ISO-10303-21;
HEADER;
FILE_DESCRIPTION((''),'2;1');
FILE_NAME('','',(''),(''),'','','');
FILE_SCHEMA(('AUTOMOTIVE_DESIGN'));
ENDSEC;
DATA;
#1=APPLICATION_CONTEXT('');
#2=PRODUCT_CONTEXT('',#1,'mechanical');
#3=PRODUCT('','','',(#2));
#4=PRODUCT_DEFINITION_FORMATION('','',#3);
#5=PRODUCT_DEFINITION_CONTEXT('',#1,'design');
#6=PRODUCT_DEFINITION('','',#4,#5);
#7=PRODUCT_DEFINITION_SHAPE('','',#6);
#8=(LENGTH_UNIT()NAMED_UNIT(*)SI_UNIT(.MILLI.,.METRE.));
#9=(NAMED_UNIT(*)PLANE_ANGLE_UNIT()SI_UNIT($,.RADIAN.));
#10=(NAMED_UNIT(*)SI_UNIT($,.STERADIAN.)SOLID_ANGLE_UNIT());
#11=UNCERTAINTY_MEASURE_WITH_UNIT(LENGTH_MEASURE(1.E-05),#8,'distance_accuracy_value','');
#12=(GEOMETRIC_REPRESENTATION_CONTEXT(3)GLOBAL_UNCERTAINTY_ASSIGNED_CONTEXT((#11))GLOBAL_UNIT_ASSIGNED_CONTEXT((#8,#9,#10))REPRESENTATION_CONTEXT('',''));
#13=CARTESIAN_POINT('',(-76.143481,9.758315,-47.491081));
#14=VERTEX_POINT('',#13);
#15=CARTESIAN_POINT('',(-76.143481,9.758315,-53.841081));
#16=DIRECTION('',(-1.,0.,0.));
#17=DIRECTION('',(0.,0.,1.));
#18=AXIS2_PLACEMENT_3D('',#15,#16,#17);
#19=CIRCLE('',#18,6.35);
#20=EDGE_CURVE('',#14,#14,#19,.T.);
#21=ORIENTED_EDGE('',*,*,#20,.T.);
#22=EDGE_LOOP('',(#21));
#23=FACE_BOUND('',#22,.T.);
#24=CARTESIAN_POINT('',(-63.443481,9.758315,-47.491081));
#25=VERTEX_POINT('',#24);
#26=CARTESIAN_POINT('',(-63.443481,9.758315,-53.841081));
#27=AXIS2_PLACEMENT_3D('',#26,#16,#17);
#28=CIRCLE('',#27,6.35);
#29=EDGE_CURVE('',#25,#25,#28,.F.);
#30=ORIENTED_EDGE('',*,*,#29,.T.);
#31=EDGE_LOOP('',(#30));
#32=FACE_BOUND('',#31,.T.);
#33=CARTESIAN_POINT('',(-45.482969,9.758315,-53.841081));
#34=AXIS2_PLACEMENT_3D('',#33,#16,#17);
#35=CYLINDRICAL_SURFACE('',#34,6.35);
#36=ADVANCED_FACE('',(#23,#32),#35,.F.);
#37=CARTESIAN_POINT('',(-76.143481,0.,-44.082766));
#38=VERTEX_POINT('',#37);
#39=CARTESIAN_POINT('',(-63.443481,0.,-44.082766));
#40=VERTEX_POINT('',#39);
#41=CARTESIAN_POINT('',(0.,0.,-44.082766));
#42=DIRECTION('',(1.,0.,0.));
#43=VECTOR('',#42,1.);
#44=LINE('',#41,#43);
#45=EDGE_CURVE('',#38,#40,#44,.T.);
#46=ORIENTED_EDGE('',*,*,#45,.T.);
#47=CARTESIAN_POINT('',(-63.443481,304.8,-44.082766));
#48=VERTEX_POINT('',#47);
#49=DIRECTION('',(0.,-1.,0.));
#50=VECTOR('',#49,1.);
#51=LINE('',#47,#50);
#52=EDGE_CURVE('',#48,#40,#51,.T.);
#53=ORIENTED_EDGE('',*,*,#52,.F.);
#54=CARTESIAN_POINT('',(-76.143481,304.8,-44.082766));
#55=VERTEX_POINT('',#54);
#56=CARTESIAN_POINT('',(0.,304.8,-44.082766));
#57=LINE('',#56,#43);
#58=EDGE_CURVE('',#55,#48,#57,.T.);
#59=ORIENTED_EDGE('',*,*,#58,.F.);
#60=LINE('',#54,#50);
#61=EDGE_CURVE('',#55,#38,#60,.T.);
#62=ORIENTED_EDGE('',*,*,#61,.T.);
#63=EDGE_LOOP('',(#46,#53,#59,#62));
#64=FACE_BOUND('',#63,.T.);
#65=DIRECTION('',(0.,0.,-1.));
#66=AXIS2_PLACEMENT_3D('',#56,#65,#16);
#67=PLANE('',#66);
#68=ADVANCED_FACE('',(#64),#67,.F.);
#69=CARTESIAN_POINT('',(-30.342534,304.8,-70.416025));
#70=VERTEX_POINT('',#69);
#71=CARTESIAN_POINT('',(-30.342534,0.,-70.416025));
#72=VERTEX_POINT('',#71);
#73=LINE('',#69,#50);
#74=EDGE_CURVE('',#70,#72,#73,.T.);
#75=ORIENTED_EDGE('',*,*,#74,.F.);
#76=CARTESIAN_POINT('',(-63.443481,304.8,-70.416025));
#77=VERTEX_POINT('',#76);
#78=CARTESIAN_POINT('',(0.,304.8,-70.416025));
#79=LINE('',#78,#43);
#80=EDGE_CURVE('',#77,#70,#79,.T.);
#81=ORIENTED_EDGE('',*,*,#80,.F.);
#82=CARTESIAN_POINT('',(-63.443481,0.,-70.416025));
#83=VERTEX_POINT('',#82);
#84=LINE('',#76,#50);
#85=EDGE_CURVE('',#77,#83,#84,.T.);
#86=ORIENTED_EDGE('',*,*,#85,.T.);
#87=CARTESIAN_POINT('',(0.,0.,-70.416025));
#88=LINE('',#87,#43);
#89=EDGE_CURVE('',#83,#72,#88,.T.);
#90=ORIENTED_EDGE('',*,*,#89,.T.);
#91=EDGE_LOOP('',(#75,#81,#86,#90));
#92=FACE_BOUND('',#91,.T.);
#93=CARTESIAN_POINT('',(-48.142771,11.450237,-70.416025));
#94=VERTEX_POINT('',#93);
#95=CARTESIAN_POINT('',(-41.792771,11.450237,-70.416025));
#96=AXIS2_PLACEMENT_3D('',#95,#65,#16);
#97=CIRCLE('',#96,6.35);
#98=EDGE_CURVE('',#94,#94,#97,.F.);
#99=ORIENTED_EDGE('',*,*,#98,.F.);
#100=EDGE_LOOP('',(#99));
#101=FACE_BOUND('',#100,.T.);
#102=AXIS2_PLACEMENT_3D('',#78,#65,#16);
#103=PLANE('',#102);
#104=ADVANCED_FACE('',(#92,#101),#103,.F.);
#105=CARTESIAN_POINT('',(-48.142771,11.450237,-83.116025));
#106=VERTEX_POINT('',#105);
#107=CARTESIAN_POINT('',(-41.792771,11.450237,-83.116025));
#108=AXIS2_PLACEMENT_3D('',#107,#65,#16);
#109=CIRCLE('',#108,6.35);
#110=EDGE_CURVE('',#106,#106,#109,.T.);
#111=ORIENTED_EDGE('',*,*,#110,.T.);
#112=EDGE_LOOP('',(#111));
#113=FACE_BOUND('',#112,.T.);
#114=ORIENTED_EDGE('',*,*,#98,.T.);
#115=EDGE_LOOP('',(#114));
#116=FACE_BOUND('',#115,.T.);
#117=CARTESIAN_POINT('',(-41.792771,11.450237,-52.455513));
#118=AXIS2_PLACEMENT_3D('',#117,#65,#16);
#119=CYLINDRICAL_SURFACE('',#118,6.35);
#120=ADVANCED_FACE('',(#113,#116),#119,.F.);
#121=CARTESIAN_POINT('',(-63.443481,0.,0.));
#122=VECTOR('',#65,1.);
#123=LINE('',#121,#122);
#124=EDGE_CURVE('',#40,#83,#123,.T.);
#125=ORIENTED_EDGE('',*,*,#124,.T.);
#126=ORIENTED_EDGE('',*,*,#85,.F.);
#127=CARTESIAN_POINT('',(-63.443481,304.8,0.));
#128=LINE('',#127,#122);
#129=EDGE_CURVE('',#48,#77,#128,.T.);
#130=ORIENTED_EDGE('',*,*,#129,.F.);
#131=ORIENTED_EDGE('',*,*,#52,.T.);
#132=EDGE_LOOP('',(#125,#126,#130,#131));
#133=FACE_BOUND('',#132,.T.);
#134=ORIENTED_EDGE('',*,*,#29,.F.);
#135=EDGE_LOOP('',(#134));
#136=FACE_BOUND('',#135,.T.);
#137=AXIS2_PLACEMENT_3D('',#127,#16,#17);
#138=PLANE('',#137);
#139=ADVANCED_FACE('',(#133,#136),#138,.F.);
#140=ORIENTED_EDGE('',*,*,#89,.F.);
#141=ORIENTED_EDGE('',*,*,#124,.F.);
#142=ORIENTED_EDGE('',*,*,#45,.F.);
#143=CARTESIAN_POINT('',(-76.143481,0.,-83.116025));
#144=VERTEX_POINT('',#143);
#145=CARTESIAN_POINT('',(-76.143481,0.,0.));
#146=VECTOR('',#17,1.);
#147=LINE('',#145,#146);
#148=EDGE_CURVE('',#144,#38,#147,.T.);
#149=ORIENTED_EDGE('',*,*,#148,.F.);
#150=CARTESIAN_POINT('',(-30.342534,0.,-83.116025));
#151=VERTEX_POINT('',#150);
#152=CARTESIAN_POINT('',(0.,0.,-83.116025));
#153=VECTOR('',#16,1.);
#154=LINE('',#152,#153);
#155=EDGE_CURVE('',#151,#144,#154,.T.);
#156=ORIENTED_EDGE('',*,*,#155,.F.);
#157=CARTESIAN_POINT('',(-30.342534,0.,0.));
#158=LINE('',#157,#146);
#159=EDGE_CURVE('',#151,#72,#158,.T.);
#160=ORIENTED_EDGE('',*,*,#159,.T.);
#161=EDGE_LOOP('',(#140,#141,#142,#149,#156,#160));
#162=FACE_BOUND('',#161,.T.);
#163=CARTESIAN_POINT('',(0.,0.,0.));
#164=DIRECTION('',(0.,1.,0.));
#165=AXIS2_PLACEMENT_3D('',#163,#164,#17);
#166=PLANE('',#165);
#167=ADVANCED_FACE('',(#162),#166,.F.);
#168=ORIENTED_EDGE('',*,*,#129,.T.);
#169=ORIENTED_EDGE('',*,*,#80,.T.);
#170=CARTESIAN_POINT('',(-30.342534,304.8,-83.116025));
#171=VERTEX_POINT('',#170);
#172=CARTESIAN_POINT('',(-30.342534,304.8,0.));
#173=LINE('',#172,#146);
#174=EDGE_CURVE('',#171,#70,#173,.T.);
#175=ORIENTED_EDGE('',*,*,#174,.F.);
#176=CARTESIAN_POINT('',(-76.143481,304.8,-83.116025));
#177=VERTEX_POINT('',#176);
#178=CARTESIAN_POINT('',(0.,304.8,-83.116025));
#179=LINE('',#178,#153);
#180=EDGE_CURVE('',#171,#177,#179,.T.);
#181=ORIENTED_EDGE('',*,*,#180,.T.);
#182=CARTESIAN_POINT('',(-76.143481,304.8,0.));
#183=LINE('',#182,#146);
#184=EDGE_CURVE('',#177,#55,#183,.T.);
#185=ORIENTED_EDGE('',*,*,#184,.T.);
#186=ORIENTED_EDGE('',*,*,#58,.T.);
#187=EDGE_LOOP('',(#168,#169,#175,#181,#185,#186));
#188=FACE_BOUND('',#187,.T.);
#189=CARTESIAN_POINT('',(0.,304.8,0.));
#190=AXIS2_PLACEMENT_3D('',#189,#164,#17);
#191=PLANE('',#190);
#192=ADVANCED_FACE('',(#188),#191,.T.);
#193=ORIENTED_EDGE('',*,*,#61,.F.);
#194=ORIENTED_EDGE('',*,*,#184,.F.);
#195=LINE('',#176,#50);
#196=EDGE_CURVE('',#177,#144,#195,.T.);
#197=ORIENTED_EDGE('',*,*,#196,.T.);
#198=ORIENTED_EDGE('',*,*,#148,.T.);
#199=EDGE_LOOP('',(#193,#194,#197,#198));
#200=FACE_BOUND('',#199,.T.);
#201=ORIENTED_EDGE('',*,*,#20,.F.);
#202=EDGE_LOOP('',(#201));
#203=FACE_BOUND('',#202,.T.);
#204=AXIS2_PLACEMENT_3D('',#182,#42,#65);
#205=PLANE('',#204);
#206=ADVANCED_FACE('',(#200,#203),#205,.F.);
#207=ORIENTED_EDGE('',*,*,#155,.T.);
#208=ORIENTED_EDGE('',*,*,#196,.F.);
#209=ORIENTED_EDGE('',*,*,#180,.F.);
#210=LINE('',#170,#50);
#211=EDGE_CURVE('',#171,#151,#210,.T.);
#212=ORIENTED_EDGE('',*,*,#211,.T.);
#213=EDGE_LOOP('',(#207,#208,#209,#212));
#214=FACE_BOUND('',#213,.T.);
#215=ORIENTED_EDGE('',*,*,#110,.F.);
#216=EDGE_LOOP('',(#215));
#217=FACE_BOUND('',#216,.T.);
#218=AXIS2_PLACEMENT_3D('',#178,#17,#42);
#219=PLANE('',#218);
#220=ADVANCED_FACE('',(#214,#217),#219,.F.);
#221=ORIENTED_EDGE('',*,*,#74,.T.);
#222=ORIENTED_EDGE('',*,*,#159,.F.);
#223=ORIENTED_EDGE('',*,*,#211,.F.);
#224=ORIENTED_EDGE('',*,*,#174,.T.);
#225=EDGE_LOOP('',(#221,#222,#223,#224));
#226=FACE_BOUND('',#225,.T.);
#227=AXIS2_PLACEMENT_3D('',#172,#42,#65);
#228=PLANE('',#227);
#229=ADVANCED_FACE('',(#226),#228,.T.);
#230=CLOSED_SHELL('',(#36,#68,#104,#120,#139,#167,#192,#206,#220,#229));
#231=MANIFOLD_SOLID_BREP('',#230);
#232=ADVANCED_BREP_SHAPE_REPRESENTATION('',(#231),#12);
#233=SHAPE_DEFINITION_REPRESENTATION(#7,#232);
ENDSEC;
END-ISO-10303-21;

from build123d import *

# Parameters (mm, degrees)
BOSS_EXTRUDE1_DEPTH = 304.8
CUT_EXTRUDE1_DEPTH  = 12.7
SKETCH3_R           = 6.35
CUT_EXTRUDE2_DEPTH  = 12.7


with BuildPart() as part:
    # Sketch1 → Boss-Extrude1 (new body)
    with BuildSketch(Plane(origin=(0, 0, 0), x_dir=(1, 0, 0), z_dir=(0, 1, 0))):
        Polygon((-76.143480967, 44.082766217), (-63.443480967, 44.082766217), (-63.443480967, 70.416025302), (-30.342534375, 70.416025302), (-30.342534375, 83.116025302), (-76.143480967, 83.116025302), align=None)
    extrude(amount=BOSS_EXTRUDE1_DEPTH)

    # Sketch2 → Cut-Extrude1 (cut)
    with BuildSketch(Plane(origin=(0, 0, -83.116025302), x_dir=(-1, 0, 0), z_dir=(0, 0, -1))):
        with BuildLine():
            ThreePointArc((48.142771023, 11.450236648), (41.792771023, 17.800236648), (35.442771023, 11.450236648))
            Line((35.442771023, 11.450236648), (48.142771023, 11.450236648))
        make_face()
        with BuildLine():
            Line((48.142771023, 11.450236648), (35.442771023, 11.450236648))
            ThreePointArc((35.442771023, 11.450236648), (41.792771023, 5.100236648), (48.142771023, 11.450236648))
        make_face()
    extrude(amount=-CUT_EXTRUDE1_DEPTH, mode=Mode.SUBTRACT)

    # Sketch3 → Cut-Extrude2 (cut)
    with BuildSketch(Plane.ZY.offset(76.143480967)):
        with Locations((-53.841080989, 9.758314771)):
            Circle(SKETCH3_R)
    extrude(amount=-CUT_EXTRUDE2_DEPTH, mode=Mode.SUBTRACT)


solid = part.part
